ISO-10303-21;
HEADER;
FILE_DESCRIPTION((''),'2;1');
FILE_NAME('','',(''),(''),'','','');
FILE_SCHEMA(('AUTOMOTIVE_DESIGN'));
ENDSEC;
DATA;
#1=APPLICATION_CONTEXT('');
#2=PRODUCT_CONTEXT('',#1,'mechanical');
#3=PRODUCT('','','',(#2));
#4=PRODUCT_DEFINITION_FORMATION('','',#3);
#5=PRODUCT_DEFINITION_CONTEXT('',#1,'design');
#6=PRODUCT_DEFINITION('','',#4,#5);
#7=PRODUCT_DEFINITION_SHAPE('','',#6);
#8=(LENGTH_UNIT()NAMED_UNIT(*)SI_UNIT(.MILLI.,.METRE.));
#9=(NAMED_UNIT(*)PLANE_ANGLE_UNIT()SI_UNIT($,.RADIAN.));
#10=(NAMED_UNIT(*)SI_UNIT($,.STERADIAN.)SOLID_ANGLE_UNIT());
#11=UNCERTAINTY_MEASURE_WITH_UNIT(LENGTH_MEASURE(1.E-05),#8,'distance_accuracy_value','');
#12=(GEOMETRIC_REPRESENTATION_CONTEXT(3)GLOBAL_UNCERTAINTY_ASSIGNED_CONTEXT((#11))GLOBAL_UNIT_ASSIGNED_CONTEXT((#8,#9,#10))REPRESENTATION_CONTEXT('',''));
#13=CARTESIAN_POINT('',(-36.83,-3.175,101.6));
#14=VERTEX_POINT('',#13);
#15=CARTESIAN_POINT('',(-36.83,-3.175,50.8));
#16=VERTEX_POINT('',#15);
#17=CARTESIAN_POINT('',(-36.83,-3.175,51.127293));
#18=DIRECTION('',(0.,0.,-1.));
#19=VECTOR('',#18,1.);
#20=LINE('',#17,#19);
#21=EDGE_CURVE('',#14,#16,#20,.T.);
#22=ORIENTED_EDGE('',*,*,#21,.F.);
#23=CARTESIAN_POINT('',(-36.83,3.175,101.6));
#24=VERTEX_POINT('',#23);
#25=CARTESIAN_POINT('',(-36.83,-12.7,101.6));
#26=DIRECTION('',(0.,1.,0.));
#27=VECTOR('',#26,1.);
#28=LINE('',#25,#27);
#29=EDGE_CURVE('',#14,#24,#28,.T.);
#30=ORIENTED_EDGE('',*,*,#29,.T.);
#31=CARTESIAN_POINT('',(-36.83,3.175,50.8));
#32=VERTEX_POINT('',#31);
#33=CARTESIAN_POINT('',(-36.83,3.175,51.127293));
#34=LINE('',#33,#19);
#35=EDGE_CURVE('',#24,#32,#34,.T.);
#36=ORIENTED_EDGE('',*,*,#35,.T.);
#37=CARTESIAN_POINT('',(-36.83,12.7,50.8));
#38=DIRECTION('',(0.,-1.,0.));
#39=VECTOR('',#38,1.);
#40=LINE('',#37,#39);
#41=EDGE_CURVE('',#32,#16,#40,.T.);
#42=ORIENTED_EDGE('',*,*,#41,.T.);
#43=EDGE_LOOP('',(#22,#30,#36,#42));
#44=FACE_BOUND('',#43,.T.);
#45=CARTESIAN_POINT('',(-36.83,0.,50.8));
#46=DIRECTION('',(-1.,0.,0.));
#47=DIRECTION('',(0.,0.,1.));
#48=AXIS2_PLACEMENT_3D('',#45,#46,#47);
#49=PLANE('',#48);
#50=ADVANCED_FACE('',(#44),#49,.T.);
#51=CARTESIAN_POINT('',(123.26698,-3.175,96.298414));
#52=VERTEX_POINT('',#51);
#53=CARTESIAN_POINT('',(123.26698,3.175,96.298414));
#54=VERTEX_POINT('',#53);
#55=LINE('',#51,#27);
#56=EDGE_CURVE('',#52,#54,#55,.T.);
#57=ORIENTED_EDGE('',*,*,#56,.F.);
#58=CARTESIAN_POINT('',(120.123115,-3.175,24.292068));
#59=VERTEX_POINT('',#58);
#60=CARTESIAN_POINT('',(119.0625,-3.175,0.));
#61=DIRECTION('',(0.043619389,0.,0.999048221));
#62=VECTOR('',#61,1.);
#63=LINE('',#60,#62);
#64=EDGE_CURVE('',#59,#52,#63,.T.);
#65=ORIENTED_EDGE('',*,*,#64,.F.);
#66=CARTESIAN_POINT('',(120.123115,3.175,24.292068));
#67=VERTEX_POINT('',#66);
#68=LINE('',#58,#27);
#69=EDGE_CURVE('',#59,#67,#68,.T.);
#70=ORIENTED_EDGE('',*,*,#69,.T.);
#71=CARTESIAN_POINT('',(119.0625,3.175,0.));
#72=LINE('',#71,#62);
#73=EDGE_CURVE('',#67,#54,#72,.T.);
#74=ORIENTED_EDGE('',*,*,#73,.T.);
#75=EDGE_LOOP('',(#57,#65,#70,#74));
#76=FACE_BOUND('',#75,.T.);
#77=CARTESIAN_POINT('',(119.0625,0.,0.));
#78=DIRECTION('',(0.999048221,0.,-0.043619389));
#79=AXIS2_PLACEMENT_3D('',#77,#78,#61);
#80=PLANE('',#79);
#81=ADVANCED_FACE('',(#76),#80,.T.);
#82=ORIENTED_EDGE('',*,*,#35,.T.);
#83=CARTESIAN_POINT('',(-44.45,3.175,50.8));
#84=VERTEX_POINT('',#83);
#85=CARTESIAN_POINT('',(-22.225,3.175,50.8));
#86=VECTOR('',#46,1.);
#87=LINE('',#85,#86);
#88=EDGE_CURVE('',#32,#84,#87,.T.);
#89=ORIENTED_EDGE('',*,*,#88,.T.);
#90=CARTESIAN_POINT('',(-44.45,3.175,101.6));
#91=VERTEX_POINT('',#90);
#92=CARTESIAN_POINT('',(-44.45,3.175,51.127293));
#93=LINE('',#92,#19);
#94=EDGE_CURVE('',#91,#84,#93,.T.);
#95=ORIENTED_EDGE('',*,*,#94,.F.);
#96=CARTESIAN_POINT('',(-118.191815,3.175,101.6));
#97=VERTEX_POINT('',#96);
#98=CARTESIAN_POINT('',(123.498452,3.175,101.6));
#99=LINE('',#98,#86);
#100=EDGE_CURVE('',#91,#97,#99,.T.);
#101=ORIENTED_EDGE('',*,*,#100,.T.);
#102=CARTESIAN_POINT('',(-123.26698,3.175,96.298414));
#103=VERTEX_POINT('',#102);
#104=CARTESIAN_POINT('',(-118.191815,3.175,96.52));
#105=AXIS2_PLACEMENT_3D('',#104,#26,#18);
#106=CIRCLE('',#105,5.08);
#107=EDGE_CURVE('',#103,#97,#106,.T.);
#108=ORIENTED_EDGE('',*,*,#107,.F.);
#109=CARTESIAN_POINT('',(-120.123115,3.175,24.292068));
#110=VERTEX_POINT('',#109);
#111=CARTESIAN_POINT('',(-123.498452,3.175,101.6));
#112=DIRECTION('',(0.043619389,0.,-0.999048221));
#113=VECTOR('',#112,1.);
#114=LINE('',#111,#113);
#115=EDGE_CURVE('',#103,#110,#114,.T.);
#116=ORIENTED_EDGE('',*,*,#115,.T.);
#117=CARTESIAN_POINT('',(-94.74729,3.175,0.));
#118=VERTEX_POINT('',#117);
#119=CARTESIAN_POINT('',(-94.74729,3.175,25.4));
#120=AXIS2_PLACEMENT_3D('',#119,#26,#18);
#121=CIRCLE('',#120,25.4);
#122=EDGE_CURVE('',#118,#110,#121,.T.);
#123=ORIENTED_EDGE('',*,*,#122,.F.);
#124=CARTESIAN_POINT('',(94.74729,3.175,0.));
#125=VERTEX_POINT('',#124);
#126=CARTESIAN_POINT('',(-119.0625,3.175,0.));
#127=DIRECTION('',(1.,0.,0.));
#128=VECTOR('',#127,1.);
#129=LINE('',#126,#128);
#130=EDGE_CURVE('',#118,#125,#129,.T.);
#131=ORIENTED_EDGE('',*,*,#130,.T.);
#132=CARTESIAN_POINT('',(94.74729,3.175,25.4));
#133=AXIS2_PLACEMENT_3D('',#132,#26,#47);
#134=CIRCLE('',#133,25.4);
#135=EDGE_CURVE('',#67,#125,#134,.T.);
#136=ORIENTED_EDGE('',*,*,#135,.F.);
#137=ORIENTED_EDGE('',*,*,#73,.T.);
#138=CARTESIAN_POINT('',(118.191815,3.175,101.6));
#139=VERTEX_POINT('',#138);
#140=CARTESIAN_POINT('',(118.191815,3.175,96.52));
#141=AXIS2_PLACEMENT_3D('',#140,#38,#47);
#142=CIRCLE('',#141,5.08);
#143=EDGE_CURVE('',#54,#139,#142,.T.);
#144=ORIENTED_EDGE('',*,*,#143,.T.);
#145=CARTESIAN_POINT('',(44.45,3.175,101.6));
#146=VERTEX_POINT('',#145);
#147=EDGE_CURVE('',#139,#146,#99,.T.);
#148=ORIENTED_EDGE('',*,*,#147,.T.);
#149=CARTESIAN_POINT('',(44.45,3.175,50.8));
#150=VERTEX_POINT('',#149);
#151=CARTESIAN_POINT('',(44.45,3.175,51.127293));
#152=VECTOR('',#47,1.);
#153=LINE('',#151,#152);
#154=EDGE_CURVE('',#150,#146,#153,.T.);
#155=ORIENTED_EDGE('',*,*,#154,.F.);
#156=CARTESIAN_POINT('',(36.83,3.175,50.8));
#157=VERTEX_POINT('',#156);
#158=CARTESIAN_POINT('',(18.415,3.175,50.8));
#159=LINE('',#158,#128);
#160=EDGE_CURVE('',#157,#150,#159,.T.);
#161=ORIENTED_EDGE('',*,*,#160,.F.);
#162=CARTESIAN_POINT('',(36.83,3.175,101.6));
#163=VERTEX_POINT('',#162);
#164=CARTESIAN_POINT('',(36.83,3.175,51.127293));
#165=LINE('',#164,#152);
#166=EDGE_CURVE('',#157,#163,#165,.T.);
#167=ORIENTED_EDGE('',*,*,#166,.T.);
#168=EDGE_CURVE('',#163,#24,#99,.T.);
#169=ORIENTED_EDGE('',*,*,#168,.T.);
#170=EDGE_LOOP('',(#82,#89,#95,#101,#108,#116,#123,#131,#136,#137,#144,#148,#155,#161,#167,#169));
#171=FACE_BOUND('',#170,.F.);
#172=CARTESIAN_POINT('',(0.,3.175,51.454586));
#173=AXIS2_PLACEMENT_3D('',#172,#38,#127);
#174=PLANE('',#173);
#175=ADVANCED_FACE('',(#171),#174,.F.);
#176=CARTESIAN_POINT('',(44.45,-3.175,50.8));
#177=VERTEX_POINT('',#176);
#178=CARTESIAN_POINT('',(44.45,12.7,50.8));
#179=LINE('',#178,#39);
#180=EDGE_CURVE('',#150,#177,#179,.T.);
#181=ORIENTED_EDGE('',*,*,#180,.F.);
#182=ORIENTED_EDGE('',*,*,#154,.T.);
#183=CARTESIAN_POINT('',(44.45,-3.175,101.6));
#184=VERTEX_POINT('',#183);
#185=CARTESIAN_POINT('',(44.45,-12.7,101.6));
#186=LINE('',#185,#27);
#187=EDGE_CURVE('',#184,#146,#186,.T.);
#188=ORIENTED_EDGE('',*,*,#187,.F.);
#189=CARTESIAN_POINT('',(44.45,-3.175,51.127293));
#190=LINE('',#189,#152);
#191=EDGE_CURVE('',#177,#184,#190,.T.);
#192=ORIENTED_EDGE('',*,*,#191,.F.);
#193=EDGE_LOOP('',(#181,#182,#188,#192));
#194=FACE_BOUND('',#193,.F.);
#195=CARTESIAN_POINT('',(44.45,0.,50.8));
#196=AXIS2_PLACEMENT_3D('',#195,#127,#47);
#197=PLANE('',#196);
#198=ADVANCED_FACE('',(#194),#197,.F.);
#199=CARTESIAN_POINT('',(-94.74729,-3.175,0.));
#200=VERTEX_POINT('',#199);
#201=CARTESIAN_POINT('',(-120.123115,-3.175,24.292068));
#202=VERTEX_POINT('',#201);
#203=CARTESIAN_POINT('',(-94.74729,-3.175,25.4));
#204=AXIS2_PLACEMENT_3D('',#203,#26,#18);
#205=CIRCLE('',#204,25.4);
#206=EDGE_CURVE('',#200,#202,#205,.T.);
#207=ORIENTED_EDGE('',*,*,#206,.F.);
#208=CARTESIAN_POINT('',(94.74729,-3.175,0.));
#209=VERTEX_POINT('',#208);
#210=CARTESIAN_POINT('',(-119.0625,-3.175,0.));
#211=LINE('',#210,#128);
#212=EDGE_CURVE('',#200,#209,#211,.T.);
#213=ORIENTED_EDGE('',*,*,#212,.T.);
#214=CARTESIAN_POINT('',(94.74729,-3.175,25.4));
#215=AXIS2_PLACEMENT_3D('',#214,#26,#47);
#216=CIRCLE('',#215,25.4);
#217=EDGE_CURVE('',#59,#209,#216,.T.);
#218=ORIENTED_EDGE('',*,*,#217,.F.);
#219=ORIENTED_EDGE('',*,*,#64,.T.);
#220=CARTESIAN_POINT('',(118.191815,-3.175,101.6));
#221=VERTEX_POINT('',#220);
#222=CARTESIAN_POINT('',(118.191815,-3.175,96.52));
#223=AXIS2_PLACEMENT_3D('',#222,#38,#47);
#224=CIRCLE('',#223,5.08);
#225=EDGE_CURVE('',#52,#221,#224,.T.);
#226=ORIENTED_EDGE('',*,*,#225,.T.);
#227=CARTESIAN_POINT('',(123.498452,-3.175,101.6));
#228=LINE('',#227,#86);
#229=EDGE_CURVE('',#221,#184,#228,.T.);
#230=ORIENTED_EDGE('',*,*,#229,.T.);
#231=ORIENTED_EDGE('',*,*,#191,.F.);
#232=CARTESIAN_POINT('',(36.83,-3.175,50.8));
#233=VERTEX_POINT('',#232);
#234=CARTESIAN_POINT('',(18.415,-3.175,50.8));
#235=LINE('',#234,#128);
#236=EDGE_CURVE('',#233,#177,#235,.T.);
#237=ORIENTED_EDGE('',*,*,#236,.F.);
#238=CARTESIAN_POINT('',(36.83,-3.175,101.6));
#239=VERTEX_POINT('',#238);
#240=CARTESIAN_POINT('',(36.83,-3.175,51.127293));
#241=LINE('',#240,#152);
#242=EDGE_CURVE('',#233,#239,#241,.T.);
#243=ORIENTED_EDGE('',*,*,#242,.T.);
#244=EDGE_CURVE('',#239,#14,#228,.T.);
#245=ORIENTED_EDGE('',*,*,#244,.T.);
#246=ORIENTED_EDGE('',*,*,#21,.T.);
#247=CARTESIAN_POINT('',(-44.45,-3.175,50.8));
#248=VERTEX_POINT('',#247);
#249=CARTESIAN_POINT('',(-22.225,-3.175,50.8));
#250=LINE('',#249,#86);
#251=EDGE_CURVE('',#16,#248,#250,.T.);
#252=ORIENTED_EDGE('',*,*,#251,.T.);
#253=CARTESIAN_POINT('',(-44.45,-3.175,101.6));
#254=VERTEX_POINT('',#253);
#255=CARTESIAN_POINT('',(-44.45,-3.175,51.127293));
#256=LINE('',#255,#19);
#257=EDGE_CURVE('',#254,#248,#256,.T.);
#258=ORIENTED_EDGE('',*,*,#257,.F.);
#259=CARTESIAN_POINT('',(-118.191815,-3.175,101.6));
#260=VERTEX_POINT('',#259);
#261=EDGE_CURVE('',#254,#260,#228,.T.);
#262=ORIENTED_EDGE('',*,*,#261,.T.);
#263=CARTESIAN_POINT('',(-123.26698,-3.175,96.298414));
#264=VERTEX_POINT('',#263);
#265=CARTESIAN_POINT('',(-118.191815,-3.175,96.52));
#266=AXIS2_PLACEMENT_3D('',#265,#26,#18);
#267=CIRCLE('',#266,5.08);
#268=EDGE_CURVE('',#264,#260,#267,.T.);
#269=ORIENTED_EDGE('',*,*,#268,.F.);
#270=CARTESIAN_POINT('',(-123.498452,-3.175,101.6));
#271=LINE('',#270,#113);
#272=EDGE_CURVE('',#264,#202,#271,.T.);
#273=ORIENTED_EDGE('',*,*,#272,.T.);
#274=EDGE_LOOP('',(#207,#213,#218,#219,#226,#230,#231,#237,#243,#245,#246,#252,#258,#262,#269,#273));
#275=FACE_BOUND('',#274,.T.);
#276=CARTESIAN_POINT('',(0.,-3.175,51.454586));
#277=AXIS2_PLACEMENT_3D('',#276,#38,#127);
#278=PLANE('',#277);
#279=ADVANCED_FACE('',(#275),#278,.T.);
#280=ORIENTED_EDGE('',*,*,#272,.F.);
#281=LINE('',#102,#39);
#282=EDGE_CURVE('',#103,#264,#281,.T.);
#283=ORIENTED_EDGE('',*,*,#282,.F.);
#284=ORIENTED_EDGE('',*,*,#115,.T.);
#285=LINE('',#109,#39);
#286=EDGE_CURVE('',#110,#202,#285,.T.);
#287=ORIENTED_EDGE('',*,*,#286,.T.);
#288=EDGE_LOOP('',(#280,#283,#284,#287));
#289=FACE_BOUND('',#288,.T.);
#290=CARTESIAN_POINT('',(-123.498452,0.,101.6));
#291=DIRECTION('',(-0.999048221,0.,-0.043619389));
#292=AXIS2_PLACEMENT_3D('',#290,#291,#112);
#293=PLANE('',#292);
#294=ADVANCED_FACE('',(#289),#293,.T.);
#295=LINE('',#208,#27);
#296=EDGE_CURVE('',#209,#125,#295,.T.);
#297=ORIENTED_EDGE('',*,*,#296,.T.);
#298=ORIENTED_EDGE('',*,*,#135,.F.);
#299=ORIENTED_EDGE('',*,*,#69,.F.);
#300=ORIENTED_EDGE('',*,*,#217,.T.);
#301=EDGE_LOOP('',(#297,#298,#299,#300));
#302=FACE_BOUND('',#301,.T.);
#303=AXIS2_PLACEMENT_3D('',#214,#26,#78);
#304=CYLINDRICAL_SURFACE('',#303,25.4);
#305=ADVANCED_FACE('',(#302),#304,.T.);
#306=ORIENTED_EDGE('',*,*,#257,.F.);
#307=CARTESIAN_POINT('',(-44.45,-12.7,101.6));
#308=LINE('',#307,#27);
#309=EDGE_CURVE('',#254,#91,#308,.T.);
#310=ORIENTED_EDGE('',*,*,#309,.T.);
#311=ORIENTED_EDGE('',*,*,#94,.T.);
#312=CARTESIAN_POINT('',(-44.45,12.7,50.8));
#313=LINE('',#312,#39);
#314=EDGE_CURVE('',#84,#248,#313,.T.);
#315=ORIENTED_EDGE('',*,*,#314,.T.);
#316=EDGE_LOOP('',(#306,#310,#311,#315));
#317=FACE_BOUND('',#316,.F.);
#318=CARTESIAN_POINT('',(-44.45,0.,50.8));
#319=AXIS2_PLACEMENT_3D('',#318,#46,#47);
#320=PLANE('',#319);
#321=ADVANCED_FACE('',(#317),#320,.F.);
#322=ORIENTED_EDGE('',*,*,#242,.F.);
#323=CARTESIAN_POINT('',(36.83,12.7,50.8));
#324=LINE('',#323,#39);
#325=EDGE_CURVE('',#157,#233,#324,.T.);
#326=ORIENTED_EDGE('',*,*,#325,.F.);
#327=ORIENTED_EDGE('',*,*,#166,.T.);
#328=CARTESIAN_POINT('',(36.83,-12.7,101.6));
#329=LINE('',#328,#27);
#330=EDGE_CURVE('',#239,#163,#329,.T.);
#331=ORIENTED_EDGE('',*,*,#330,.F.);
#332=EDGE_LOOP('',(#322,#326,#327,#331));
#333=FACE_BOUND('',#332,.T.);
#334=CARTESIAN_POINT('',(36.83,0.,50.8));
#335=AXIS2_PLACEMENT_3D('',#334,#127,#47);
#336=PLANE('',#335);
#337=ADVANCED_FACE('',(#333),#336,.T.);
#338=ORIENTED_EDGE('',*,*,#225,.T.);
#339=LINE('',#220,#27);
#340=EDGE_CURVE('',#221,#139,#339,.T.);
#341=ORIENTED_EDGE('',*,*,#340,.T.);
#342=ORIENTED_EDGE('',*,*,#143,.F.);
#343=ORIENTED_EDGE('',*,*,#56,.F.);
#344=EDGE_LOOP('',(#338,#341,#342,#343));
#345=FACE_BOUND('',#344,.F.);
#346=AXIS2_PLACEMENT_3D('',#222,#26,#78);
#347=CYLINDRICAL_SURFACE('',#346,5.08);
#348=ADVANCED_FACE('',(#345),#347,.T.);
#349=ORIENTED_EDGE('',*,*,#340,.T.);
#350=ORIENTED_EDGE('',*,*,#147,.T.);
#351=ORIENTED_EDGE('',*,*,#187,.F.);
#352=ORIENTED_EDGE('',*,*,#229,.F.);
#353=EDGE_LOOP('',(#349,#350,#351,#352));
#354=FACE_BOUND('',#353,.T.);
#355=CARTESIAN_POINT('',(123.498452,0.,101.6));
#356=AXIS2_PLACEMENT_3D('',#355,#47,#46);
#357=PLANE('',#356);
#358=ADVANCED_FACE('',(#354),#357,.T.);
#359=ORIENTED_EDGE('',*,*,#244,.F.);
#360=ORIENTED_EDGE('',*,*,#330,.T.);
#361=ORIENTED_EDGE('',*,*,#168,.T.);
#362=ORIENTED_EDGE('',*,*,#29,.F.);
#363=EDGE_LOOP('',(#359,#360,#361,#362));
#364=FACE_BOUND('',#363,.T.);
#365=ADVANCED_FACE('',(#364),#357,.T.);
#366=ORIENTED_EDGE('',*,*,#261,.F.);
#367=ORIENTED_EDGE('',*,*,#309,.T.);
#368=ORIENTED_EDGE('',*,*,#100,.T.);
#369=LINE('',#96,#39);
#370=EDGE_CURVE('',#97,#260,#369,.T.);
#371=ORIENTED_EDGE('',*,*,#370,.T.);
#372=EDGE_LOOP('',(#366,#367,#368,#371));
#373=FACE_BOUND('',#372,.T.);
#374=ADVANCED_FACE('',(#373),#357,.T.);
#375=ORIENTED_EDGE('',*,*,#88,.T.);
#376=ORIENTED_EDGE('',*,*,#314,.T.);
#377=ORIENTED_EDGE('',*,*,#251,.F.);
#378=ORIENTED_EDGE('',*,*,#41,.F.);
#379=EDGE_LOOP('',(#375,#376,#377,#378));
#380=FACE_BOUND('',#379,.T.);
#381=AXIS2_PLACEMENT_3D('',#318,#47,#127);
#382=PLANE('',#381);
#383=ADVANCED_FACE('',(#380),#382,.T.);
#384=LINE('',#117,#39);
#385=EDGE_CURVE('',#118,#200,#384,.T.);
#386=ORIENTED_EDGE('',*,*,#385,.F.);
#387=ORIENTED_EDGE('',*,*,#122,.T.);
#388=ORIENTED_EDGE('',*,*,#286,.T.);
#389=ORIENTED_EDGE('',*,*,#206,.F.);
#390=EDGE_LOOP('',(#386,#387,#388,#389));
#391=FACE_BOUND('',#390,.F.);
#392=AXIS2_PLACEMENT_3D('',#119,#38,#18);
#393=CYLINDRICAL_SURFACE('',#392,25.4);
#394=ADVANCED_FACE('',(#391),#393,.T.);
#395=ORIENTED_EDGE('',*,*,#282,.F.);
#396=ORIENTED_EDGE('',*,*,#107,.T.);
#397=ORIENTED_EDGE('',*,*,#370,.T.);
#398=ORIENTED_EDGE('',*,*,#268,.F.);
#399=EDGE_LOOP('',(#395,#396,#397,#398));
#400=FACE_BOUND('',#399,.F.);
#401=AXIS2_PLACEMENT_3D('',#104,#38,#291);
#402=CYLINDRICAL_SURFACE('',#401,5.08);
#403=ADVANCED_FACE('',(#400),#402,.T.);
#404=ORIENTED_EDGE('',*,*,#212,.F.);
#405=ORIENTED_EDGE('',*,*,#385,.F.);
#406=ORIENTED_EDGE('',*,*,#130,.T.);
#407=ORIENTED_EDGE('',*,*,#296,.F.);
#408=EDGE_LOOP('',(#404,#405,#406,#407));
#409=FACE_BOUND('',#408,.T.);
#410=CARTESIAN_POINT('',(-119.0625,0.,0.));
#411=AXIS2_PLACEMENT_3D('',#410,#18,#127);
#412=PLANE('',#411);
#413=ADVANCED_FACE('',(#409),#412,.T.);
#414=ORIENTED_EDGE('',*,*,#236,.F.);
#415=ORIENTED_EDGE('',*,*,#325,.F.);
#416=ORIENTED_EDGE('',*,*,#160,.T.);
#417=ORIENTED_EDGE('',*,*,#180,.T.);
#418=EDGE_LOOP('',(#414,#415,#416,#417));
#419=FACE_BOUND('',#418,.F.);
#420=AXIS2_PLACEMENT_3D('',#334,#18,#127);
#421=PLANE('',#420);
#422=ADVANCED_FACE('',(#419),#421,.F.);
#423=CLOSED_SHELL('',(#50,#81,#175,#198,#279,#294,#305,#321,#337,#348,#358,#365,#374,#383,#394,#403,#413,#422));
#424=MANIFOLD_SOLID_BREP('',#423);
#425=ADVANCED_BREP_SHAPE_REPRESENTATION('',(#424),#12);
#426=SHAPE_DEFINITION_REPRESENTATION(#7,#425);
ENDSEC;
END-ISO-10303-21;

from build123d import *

# Parameters (mm, degrees)
F1_DEPTH = 3.175
F2_W     = 7.62
F2_H     = 50.8
F3_DEPTH = 12.7
F4_R     = 25.4
F5_R     = 5.08


with BuildPart() as f1:
    # F0 (on Front) → F1 (new body, symmetric)
    with BuildSketch(Plane.XZ):
        Polygon((123.498452, 101.6), (-123.498452, 101.6), (-119.0625, 0), (119.0625, 0), align=None)
    extrude(amount=F1_DEPTH, both=True)

    # F2 (on Front) → F3 (cut, symmetric)
    with BuildSketch(Plane.XZ):
        with Locations((-40.64, 76.2)):
            Rectangle(F2_W, F2_H)
        with Locations((40.64, 76.2)):
            Rectangle(F2_W, F2_H)
    extrude(amount=F3_DEPTH, both=True, mode=Mode.SUBTRACT)

    # F4
    f4_edges = [f1.edges().sort_by_distance(p)[0] for p in [
        (-119.0625, 0, 0),
        (119.0625, 0, 0),
    ]]
    fillet(f4_edges, radius=F4_R)

    # F5
    f5_edges = [f1.edges().sort_by_distance(p)[0] for p in [
        (-123.498452, 0, 101.6),
        (123.498452, 0, 101.6),
    ]]
    fillet(f5_edges, radius=F5_R)


solid = f1.part
